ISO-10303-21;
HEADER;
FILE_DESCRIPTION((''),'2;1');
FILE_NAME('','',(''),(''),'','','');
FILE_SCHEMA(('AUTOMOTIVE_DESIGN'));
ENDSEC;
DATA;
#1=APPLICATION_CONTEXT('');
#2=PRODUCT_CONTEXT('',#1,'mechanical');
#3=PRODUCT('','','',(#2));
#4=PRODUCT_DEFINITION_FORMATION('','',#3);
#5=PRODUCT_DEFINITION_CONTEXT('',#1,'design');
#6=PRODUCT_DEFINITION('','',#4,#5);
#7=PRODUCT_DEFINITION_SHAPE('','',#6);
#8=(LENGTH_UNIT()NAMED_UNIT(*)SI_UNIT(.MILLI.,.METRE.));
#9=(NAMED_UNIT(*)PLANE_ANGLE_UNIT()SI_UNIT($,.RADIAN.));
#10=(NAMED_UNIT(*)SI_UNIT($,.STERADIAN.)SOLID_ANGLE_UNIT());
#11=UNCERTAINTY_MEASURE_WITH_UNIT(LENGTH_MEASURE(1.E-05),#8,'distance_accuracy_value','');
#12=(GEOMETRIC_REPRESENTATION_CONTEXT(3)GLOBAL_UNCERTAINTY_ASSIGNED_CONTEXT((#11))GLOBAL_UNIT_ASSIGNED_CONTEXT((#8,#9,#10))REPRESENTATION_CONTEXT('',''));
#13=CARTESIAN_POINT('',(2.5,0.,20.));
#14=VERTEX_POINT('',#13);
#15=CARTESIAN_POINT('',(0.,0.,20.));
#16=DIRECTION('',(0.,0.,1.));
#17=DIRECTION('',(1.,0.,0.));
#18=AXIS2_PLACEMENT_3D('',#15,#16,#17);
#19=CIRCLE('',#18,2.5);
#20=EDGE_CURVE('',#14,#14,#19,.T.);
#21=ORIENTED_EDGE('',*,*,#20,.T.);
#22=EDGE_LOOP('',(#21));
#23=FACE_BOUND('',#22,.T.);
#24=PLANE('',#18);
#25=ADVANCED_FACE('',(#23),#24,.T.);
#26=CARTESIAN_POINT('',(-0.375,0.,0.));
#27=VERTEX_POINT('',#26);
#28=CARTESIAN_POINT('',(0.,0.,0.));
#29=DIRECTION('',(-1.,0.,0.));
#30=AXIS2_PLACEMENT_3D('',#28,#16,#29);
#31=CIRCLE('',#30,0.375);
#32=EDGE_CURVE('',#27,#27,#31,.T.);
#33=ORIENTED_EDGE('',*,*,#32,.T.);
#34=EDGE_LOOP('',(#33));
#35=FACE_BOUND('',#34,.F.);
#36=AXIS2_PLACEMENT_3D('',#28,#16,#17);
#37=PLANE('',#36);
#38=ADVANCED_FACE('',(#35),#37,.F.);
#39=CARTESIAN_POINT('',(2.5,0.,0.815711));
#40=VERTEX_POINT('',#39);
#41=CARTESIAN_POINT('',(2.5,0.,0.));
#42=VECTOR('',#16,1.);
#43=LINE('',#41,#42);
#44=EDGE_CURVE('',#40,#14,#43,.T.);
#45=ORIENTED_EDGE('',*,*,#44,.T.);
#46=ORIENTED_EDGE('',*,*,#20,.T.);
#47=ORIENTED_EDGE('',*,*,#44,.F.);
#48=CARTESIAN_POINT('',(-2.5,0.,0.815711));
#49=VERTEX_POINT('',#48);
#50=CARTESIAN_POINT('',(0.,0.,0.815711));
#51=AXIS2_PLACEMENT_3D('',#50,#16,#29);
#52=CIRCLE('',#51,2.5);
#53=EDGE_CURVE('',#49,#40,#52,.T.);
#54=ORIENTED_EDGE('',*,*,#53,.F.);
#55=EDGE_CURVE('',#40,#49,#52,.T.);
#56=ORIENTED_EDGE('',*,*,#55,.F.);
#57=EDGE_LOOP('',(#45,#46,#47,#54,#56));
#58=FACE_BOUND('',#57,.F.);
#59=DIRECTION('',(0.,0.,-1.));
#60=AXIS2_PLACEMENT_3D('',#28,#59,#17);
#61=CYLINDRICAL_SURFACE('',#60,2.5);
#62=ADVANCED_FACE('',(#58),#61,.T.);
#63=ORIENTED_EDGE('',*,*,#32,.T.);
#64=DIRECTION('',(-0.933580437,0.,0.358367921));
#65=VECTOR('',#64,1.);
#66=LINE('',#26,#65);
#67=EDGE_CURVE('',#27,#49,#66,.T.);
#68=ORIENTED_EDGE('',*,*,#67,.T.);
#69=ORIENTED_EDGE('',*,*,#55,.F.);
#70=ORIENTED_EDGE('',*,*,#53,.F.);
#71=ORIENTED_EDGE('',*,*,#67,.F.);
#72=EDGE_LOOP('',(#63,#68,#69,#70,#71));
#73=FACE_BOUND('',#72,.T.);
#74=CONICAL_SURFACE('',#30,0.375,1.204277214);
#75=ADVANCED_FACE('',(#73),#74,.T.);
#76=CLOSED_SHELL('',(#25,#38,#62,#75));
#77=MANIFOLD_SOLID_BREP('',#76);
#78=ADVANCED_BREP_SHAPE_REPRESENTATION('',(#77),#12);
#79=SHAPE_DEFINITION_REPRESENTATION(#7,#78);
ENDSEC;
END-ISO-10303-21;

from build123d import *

# Parameters (mm, degrees)
CYLINDER_R     = 2.5
CYLINDER_DEPTH = 20


with BuildPart() as nozzle_revolution:
    # Sketch006 → Revolution (revolve)
    with BuildSketch(Plane.XZ):
        Polygon((-0.375, 0), (-2.5, 0.815711), (-2.5, 0), align=None)
    revolve(axis=Axis((0, 0, 0), (0, 0, 1)))


with BuildPart() as nozzle_cut:
    # Cylinder → Cylinder (new body)
    with BuildSketch(Plane.XY):
        Circle(CYLINDER_R)
    extrude(amount=CYLINDER_DEPTH)

    # Cut: cut nozzle-revolution
    add(nozzle_revolution.part, mode=Mode.SUBTRACT)


solid = nozzle_cut.part
